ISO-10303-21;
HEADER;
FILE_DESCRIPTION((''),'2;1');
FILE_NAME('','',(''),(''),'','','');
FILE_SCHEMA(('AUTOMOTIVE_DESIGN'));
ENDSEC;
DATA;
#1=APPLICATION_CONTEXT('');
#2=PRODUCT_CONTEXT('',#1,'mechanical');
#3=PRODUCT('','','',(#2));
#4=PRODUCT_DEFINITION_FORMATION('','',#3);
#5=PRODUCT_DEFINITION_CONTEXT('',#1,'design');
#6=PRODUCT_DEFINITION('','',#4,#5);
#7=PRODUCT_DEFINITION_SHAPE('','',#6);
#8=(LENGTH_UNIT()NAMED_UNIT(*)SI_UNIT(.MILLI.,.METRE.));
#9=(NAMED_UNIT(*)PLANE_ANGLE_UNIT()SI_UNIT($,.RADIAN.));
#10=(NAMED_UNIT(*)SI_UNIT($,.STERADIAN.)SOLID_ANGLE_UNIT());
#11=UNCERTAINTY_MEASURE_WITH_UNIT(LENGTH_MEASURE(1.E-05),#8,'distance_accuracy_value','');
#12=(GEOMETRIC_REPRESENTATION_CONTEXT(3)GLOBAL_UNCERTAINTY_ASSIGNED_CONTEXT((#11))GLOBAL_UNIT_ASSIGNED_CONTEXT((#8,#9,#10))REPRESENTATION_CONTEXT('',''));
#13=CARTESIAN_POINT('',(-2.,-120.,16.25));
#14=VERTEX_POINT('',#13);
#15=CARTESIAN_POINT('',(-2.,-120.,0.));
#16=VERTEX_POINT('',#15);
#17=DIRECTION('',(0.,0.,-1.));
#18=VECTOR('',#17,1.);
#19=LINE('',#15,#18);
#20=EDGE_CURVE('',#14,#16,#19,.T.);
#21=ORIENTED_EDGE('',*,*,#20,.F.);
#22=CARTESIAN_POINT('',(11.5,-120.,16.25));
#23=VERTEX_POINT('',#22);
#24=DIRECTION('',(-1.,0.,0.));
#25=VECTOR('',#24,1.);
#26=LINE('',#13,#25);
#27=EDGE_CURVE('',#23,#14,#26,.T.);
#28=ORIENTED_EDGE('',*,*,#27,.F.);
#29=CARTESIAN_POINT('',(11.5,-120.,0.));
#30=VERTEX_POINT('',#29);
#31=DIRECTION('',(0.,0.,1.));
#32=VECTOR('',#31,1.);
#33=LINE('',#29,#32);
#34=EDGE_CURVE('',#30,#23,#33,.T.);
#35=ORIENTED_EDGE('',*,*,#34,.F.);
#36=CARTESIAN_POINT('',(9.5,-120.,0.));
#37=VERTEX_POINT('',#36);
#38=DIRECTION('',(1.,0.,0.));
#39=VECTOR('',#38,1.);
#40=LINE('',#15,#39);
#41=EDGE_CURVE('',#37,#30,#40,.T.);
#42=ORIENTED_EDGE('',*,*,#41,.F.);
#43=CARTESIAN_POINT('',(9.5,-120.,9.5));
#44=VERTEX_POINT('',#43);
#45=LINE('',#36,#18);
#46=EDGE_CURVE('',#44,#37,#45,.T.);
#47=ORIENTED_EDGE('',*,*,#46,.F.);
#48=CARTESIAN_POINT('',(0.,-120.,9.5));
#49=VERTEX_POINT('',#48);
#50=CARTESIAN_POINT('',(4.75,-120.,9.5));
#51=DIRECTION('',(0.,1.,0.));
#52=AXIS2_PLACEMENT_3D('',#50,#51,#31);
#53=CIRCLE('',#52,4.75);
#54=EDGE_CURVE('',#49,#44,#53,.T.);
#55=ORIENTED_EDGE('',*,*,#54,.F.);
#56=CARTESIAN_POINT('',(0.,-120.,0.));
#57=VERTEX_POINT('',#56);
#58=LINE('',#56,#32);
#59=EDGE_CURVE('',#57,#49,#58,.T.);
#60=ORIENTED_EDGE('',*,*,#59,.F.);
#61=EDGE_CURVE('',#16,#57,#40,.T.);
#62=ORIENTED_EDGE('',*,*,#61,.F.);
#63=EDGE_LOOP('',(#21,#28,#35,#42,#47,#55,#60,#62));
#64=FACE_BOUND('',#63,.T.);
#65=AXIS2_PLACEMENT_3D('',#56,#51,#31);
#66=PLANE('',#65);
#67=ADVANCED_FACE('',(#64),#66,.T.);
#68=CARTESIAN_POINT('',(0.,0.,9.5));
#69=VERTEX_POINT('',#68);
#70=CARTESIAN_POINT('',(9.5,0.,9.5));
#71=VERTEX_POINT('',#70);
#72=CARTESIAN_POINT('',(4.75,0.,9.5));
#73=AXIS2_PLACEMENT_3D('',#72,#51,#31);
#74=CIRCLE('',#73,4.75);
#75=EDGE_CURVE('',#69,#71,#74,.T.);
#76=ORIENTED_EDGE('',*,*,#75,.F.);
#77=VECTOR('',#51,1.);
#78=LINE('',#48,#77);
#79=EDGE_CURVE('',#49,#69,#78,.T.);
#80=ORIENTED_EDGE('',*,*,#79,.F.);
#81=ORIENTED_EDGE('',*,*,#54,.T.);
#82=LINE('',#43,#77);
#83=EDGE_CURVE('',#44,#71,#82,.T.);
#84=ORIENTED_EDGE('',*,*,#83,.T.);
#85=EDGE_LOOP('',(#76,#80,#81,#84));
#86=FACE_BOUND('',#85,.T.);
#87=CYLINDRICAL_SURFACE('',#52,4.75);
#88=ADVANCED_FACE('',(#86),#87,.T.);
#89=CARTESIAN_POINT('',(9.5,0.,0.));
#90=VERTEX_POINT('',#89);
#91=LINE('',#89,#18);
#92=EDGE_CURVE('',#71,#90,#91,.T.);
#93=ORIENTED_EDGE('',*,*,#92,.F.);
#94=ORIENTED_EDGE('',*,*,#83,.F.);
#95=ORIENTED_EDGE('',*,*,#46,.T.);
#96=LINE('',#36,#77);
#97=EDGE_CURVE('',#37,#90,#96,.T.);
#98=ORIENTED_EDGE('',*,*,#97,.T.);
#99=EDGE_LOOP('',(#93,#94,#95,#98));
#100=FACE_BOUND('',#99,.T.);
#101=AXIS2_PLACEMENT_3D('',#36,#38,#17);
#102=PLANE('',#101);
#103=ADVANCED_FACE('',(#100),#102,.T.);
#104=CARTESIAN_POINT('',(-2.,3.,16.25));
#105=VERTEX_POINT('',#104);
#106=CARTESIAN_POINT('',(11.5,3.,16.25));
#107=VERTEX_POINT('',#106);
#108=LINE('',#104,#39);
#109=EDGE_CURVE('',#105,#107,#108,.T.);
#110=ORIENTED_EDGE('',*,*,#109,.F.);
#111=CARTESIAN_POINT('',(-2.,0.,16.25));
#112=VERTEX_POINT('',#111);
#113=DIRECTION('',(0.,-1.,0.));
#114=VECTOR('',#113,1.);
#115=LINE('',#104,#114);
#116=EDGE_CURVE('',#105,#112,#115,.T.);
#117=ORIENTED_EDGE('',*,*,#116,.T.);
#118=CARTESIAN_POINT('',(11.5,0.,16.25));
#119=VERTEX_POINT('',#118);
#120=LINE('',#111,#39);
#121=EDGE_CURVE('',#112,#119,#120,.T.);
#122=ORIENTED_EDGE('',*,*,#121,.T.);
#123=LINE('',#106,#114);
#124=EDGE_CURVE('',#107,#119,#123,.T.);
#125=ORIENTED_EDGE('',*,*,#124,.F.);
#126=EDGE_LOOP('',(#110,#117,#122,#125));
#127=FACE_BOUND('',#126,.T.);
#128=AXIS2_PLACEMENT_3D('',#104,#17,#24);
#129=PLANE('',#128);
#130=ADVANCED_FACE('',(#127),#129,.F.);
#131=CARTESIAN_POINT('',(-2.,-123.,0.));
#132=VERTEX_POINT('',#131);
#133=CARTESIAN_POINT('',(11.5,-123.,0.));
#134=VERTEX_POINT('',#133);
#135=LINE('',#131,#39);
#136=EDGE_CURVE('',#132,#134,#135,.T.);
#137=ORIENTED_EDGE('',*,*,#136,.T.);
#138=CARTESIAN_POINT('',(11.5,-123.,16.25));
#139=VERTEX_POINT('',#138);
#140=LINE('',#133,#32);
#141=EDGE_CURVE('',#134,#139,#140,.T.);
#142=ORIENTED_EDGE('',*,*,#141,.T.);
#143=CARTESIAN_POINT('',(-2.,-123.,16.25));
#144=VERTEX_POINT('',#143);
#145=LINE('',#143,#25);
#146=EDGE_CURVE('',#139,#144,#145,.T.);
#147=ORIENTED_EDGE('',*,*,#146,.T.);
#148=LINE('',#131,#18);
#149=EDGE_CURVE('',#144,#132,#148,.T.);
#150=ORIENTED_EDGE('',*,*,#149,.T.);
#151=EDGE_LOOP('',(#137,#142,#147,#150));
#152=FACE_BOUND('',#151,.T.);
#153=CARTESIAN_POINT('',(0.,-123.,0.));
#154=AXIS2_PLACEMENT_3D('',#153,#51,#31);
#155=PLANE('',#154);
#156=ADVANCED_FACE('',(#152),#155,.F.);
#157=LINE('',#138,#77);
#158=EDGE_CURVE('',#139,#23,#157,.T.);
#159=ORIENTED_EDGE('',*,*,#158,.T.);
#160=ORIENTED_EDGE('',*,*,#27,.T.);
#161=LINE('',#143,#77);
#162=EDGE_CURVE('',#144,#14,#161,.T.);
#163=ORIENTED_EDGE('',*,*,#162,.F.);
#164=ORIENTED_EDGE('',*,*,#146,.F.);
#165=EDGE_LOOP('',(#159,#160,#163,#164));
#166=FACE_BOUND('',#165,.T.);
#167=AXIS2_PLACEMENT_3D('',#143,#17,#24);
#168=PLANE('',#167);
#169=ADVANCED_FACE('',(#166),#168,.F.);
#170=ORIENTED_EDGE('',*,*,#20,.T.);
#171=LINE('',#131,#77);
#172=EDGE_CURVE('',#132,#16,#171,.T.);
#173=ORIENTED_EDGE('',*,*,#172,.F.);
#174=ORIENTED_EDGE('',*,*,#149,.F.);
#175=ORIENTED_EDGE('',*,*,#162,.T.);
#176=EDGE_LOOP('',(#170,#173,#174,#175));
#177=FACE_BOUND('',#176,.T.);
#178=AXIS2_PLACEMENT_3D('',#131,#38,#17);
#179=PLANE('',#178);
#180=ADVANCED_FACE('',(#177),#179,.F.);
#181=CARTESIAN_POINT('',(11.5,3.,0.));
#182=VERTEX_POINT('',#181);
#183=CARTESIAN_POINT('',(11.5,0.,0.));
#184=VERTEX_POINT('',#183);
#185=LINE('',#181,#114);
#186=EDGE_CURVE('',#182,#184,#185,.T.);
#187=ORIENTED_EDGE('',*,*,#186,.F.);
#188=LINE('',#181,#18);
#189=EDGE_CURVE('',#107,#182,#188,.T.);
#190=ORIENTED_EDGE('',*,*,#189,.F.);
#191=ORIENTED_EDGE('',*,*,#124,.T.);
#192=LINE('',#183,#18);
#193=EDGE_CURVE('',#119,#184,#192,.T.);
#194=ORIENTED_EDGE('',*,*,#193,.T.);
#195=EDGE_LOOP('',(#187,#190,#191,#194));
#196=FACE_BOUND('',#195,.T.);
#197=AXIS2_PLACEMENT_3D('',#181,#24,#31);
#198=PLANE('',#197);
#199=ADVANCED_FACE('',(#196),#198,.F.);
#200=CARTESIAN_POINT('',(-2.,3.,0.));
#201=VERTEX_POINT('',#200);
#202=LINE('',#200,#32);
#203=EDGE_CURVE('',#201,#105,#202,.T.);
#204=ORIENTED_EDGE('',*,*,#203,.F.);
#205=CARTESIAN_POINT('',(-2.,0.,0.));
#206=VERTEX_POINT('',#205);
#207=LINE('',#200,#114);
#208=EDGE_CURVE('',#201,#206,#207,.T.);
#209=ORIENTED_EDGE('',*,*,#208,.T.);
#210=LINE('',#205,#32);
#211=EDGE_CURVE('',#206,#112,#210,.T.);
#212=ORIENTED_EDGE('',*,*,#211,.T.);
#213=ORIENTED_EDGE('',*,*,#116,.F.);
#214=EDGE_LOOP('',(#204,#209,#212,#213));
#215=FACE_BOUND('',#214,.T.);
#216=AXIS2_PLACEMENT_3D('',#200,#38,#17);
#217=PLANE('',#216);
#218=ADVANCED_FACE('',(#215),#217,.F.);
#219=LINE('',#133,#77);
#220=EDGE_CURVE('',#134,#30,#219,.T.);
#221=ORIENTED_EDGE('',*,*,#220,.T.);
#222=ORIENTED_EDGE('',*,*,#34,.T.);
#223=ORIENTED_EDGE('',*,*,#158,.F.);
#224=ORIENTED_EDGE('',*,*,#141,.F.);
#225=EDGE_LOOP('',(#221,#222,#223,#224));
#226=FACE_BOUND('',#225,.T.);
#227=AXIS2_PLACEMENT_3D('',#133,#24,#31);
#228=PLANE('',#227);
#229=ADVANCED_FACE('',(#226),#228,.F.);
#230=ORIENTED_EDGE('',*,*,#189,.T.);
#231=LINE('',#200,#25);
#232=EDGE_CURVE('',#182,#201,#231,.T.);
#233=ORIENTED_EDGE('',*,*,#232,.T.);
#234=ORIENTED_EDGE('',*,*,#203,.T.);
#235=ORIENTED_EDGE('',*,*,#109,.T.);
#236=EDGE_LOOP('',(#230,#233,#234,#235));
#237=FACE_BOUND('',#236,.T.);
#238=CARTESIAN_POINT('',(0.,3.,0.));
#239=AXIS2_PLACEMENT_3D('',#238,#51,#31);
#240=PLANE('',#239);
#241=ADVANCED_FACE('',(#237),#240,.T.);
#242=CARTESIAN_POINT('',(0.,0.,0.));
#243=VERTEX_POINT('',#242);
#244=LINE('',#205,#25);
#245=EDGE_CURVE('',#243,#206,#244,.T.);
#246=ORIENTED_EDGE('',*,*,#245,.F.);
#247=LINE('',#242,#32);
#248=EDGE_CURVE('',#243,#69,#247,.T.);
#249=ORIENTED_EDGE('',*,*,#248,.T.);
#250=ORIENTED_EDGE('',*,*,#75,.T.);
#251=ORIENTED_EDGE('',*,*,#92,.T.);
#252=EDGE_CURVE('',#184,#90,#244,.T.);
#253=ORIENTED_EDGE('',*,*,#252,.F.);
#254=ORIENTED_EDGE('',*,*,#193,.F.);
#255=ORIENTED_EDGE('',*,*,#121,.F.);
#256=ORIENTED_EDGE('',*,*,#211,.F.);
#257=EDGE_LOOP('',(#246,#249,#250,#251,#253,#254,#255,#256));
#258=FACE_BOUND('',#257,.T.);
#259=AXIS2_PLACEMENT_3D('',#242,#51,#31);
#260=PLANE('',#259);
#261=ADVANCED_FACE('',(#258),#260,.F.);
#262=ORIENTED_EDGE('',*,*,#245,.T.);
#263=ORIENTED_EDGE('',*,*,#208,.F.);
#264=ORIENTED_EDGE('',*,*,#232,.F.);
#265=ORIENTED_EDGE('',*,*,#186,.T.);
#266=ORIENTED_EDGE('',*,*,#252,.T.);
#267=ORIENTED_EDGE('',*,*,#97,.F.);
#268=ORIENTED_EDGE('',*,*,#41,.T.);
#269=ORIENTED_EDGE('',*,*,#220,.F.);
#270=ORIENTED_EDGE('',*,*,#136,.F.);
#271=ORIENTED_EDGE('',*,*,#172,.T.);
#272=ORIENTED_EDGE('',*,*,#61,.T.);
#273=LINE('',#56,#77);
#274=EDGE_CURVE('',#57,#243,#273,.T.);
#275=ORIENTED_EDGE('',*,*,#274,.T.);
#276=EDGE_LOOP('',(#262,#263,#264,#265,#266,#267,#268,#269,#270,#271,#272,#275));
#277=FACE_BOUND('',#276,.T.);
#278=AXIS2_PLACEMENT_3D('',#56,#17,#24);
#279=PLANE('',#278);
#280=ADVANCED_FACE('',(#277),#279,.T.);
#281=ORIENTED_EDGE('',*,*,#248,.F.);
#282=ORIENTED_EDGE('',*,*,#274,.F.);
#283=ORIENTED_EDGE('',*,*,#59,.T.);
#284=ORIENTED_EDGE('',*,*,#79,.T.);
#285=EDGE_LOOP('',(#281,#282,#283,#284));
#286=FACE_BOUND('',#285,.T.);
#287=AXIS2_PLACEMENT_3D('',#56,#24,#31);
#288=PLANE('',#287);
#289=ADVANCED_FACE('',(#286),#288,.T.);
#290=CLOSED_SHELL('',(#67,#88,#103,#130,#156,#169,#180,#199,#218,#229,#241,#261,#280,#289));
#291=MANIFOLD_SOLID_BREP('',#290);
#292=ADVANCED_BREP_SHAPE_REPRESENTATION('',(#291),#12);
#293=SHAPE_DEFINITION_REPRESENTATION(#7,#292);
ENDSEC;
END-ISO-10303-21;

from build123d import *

# Parameters (mm, degrees)
BOSS_EXTRUDE1_DEPTH = 120
SKETCH8_W           = 13.5
SKETCH8_H           = 16.25
BOSS_EXTRUDE4_DEPTH = 3
SKETCH9_W           = 13.5
SKETCH9_H           = 16.25
BOSS_EXTRUDE5_DEPTH = 3


with BuildPart() as part:
    # Sketch5 → Boss-Extrude1 (new body)
    with BuildSketch(Plane(origin=(0, 0, 0), x_dir=(1, 0, 0), z_dir=(0, 1, 0))):
        with BuildLine():
            Line((0, 0), (9.5, 0))
            Line((9.5, 0), (9.5, -9.5))
            ThreePointArc((9.5, -9.5), (4.75, -14.25), (0, -9.5))
            Line((0, -9.5), (0, 0))
        make_face()
    extrude(amount=-BOSS_EXTRUDE1_DEPTH)

    # Sketch8 → Boss-Extrude4 (add)
    with BuildSketch(Plane.XZ.offset(120)):
        with Locations((4.75, 8.125)):
            Rectangle(SKETCH8_W, SKETCH8_H)
    extrude(amount=BOSS_EXTRUDE4_DEPTH)

    # Sketch9 → Boss-Extrude5 (add)
    with BuildSketch(Plane(origin=(0, 0, 0), x_dir=(1, 0, 0), z_dir=(0, 1, 0))):
        with Locations((4.75, -8.125)):
            Rectangle(SKETCH9_W, SKETCH9_H)
    extrude(amount=BOSS_EXTRUDE5_DEPTH)


solid = part.part
